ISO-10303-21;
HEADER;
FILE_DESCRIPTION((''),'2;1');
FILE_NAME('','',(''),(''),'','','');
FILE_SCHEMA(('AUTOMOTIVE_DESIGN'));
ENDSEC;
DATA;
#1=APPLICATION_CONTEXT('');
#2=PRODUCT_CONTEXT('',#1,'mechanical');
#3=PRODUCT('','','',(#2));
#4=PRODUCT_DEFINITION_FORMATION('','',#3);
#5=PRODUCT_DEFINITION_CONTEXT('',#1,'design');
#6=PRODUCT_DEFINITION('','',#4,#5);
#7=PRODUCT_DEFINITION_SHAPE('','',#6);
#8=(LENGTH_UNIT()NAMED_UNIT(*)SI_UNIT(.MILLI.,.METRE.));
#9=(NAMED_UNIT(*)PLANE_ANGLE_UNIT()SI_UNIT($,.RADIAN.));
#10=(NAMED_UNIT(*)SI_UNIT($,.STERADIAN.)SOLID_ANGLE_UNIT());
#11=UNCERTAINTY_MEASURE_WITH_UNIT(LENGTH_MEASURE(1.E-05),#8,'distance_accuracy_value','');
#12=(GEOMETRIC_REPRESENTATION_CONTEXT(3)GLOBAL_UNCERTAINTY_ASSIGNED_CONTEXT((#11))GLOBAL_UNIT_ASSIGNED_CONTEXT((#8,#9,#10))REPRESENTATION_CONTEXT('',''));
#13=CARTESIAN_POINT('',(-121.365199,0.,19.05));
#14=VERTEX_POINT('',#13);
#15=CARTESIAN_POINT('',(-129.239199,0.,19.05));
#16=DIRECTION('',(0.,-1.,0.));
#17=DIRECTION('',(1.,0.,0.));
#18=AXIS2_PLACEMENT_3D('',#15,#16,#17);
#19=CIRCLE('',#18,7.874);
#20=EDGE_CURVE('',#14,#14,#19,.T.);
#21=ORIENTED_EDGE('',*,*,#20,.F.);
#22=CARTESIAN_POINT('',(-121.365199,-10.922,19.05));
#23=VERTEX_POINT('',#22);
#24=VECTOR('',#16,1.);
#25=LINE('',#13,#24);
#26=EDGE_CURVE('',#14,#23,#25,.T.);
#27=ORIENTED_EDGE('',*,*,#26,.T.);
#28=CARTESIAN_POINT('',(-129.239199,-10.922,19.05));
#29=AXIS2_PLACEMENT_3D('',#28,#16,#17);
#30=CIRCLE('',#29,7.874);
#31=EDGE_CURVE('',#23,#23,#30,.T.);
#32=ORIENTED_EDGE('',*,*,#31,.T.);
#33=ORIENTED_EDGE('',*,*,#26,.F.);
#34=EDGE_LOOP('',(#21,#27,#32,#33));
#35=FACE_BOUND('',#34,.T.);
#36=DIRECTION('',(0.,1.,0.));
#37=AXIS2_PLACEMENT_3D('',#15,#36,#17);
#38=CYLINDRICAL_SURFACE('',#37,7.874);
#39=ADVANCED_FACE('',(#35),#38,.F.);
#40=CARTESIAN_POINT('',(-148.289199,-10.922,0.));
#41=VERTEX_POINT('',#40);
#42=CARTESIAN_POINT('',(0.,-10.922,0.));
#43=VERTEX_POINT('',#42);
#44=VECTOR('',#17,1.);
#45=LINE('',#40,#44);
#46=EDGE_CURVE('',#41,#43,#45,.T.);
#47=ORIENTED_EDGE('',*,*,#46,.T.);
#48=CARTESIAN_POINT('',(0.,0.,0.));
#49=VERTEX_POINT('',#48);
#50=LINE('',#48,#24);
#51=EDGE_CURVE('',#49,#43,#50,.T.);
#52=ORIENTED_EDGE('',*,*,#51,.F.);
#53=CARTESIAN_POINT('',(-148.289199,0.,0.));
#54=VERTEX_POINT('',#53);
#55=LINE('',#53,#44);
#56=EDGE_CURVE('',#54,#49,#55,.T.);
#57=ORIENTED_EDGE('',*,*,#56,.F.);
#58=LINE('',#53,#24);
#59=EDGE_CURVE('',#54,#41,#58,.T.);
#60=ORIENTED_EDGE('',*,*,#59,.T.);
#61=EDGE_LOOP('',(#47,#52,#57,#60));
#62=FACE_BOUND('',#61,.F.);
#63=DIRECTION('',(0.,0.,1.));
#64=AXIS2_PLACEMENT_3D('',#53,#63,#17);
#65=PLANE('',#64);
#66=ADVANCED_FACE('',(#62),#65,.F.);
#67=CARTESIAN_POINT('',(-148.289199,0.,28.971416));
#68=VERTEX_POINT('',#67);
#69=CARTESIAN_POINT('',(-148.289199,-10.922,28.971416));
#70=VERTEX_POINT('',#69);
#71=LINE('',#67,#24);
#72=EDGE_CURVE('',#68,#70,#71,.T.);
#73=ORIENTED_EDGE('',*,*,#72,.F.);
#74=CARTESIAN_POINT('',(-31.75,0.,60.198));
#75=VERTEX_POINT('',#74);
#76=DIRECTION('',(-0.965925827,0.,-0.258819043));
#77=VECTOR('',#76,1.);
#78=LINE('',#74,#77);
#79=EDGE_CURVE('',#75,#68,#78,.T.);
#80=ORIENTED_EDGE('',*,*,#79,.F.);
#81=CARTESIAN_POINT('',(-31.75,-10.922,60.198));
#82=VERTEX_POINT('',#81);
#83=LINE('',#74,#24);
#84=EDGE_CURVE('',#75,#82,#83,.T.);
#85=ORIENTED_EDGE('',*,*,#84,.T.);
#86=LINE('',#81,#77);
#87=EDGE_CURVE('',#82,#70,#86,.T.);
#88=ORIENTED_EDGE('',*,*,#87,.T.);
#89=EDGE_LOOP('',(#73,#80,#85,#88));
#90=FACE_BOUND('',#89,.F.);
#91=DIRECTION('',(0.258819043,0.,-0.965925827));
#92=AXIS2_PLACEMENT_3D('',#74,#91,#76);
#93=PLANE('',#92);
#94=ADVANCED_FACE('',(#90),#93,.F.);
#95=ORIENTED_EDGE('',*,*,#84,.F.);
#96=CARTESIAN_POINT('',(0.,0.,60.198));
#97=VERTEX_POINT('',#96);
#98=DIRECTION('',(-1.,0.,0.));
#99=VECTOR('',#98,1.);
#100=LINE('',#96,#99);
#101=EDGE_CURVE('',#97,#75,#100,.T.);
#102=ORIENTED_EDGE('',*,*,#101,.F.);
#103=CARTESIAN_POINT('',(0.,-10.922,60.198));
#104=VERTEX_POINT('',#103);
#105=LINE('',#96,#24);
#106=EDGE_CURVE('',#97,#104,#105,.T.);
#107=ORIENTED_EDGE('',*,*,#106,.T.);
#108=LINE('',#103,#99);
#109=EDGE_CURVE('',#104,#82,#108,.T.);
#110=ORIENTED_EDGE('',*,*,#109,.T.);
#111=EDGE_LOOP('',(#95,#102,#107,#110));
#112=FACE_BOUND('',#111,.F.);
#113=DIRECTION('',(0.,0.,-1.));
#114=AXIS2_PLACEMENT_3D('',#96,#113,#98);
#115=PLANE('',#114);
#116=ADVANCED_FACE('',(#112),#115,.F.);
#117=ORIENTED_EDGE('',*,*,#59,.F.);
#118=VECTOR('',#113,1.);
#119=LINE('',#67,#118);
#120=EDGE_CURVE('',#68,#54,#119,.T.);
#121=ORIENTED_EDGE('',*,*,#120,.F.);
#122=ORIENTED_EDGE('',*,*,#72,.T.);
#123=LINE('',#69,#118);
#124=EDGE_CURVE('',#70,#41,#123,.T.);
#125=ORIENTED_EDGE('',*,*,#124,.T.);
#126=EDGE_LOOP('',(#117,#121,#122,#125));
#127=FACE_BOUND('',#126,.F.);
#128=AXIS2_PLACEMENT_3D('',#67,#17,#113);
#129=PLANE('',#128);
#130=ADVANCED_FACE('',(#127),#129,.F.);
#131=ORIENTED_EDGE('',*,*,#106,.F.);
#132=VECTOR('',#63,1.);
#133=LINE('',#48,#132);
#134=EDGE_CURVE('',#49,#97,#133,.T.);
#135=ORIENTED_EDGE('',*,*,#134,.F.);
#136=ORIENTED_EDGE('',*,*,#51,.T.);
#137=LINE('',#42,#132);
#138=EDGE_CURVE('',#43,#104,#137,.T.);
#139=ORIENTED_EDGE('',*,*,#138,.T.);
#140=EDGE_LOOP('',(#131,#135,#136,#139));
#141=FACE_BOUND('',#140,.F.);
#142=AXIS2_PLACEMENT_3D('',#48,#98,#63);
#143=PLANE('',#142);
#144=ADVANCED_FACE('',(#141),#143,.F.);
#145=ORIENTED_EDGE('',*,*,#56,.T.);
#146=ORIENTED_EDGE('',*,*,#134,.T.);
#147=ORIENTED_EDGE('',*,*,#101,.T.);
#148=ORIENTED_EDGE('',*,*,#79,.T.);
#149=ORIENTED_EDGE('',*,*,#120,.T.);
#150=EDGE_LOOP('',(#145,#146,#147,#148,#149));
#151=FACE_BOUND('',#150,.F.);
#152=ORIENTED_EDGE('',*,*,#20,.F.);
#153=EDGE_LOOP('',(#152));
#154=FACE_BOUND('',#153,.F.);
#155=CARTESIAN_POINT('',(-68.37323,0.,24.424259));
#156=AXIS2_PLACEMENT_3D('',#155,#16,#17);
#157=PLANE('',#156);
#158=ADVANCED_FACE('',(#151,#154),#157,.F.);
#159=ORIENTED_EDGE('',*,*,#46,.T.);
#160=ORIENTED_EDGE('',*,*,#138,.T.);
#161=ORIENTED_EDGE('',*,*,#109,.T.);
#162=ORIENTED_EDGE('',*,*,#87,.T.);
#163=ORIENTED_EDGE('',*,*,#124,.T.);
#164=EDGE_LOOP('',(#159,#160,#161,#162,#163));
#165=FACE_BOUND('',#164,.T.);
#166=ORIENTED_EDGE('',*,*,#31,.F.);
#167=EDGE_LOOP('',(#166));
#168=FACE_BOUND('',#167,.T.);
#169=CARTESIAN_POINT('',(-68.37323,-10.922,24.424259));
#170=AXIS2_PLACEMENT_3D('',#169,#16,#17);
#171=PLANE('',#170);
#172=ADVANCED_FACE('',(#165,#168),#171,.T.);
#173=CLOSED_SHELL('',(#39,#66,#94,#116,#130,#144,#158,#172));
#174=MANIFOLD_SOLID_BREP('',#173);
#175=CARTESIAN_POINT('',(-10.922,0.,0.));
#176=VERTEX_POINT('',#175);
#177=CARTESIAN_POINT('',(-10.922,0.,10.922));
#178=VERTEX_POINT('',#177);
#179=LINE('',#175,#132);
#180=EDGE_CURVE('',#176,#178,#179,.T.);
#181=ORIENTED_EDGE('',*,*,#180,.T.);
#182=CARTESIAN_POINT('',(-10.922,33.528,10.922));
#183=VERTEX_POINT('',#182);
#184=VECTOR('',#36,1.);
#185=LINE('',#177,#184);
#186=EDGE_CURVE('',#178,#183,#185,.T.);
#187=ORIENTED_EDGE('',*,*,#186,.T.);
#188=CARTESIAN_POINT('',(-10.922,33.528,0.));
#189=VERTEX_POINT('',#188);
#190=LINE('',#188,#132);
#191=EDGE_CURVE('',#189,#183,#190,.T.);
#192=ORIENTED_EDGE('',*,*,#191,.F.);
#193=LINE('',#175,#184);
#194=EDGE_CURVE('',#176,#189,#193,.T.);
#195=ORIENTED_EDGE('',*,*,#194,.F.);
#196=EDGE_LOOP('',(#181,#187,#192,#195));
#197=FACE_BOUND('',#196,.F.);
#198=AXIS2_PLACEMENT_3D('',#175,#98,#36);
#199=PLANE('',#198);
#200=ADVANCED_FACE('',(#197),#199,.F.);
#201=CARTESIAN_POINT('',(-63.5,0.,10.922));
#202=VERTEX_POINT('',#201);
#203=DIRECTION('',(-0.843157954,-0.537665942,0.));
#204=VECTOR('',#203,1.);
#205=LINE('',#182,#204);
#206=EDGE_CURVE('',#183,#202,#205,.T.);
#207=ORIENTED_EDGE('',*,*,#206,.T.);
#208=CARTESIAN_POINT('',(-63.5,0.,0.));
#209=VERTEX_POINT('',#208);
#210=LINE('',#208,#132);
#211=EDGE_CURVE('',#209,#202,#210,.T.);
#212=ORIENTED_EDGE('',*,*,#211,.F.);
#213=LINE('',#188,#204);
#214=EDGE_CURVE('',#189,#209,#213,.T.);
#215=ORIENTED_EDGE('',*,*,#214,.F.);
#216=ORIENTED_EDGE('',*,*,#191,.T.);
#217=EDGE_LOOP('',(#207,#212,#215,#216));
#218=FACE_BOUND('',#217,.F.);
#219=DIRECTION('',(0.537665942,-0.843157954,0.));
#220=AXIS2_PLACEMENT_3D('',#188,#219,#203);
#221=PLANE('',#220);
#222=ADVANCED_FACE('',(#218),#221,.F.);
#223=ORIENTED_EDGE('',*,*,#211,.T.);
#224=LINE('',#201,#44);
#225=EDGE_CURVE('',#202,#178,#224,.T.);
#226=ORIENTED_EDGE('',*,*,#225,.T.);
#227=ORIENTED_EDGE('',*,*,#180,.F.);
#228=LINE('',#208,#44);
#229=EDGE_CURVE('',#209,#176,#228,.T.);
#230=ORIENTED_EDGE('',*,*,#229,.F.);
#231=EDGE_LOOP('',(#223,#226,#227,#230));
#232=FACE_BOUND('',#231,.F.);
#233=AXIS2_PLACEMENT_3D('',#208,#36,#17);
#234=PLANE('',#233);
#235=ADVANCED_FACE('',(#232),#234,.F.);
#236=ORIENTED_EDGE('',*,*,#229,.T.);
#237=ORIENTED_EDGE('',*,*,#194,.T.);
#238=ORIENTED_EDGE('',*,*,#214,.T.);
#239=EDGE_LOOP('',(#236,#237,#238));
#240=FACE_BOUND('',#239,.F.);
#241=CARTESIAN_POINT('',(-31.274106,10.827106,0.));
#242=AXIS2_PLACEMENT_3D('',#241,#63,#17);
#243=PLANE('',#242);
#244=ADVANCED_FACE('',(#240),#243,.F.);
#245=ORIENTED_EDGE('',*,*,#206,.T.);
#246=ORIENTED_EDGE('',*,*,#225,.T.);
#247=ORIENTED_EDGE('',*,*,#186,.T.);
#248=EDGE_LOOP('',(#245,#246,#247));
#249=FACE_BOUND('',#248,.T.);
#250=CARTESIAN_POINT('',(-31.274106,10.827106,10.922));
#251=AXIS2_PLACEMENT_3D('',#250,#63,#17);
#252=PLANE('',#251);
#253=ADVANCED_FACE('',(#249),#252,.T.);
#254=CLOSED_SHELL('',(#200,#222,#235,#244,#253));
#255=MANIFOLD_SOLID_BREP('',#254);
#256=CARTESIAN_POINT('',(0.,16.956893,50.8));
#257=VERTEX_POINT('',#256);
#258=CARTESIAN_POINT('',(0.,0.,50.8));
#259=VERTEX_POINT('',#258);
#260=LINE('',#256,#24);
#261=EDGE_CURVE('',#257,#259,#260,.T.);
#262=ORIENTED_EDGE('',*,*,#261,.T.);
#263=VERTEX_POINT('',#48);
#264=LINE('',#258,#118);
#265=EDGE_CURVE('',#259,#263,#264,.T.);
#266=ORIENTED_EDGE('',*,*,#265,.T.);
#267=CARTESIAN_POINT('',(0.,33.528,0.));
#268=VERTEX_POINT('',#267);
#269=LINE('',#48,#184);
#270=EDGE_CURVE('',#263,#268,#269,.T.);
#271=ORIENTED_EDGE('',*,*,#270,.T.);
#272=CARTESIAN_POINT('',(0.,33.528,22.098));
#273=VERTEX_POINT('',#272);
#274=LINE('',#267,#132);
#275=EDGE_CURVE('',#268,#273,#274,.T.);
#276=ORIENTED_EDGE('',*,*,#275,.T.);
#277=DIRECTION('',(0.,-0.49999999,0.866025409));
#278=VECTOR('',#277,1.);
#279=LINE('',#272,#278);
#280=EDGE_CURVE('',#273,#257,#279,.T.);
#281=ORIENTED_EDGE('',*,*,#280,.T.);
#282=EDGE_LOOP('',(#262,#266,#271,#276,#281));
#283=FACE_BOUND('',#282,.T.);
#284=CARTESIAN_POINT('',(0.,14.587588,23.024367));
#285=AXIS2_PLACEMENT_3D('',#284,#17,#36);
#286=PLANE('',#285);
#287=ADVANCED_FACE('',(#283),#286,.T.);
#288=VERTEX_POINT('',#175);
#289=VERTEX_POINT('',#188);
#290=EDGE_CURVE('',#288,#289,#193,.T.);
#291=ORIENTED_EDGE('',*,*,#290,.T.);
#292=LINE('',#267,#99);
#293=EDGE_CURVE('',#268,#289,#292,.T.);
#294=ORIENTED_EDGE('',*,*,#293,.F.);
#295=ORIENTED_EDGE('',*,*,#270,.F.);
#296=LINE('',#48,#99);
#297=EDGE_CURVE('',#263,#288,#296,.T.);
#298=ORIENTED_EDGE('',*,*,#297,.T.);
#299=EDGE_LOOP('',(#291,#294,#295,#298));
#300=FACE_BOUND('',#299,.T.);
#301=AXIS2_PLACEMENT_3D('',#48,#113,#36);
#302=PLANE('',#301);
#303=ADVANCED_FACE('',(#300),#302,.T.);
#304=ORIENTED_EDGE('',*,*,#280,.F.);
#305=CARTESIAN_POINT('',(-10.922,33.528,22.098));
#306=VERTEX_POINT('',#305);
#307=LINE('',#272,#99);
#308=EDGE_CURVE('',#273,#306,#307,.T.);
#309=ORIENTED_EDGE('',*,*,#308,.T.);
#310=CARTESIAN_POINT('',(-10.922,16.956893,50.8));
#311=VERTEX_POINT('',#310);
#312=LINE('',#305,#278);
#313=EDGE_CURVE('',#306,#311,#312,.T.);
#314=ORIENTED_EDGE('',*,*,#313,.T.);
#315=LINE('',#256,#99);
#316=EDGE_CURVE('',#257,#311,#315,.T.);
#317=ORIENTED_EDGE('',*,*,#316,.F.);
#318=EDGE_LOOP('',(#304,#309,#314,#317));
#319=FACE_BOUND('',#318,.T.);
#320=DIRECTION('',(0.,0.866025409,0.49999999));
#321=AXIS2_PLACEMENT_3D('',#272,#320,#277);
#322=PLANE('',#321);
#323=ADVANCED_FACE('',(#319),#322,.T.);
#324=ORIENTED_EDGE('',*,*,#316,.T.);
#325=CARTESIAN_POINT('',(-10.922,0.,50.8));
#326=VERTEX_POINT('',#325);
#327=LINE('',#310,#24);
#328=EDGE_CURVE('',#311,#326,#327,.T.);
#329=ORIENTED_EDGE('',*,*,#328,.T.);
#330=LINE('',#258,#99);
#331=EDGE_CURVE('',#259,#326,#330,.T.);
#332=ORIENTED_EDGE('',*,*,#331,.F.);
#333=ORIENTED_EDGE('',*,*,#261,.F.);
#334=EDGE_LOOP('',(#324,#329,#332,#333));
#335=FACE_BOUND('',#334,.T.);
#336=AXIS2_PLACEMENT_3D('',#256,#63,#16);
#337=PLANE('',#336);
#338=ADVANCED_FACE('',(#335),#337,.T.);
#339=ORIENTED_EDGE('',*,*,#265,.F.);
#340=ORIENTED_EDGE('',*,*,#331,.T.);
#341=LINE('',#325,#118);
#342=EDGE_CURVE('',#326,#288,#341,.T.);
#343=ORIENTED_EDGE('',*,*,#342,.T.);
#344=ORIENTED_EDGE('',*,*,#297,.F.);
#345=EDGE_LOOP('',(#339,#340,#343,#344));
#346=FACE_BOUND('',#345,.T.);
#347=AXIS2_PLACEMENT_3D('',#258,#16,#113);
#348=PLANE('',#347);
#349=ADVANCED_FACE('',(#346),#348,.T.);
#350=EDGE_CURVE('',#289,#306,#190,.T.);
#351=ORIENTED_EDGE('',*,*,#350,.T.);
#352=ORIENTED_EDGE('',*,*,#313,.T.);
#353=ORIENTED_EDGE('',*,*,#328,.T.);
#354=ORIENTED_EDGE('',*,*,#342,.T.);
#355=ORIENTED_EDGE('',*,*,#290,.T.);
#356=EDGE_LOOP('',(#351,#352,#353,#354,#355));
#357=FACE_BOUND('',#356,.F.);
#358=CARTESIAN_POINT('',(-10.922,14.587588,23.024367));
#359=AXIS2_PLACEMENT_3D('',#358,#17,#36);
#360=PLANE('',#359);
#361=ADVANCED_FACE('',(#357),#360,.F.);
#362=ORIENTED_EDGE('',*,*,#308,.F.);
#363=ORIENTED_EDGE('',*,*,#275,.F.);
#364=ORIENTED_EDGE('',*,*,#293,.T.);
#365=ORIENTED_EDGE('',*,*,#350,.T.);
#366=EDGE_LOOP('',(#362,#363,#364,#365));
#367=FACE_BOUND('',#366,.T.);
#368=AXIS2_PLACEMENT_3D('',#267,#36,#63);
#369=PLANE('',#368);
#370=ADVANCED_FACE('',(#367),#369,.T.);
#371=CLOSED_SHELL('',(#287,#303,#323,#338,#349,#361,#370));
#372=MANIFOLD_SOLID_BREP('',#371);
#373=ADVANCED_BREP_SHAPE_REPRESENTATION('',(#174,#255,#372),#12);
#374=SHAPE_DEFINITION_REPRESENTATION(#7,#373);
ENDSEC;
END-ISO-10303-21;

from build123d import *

# Parameters (mm, degrees)
F0_R     = 7.874
F1_DEPTH = 10.922
F3_DEPTH = 10.922
F5_DEPTH = 10.922


with BuildPart() as f1:
    # F0 (on Front) → F1 (new body)
    with BuildSketch(Plane.XZ):
        Polygon((-148.289199, 0), (0, 0), (0, 60.198), (-31.75, 60.198), (-148.289199, 28.971416), align=None)
        with Locations((-129.239199, 19.05)):
            Circle(F0_R, mode=Mode.SUBTRACT)
    extrude(amount=F1_DEPTH)


with BuildPart() as f3:
    # F2 (on Right) → F3 (new body)
    with BuildSketch(Plane.YZ):
        Polygon((0, 50.8), (0, 0), (33.528, 0), (33.528, 22.098), (16.956893, 50.8), align=None)
    extrude(amount=-F3_DEPTH)


with BuildPart() as f5:
    # F4 (on Top) → F5 (new body)
    with BuildSketch(Plane.XY):
        Polygon((-63.5, 0), (-10.922, 0), (-10.922, 33.528), align=None)
    extrude(amount=F5_DEPTH)


solid = Compound([f1.part, f3.part, f5.part])
